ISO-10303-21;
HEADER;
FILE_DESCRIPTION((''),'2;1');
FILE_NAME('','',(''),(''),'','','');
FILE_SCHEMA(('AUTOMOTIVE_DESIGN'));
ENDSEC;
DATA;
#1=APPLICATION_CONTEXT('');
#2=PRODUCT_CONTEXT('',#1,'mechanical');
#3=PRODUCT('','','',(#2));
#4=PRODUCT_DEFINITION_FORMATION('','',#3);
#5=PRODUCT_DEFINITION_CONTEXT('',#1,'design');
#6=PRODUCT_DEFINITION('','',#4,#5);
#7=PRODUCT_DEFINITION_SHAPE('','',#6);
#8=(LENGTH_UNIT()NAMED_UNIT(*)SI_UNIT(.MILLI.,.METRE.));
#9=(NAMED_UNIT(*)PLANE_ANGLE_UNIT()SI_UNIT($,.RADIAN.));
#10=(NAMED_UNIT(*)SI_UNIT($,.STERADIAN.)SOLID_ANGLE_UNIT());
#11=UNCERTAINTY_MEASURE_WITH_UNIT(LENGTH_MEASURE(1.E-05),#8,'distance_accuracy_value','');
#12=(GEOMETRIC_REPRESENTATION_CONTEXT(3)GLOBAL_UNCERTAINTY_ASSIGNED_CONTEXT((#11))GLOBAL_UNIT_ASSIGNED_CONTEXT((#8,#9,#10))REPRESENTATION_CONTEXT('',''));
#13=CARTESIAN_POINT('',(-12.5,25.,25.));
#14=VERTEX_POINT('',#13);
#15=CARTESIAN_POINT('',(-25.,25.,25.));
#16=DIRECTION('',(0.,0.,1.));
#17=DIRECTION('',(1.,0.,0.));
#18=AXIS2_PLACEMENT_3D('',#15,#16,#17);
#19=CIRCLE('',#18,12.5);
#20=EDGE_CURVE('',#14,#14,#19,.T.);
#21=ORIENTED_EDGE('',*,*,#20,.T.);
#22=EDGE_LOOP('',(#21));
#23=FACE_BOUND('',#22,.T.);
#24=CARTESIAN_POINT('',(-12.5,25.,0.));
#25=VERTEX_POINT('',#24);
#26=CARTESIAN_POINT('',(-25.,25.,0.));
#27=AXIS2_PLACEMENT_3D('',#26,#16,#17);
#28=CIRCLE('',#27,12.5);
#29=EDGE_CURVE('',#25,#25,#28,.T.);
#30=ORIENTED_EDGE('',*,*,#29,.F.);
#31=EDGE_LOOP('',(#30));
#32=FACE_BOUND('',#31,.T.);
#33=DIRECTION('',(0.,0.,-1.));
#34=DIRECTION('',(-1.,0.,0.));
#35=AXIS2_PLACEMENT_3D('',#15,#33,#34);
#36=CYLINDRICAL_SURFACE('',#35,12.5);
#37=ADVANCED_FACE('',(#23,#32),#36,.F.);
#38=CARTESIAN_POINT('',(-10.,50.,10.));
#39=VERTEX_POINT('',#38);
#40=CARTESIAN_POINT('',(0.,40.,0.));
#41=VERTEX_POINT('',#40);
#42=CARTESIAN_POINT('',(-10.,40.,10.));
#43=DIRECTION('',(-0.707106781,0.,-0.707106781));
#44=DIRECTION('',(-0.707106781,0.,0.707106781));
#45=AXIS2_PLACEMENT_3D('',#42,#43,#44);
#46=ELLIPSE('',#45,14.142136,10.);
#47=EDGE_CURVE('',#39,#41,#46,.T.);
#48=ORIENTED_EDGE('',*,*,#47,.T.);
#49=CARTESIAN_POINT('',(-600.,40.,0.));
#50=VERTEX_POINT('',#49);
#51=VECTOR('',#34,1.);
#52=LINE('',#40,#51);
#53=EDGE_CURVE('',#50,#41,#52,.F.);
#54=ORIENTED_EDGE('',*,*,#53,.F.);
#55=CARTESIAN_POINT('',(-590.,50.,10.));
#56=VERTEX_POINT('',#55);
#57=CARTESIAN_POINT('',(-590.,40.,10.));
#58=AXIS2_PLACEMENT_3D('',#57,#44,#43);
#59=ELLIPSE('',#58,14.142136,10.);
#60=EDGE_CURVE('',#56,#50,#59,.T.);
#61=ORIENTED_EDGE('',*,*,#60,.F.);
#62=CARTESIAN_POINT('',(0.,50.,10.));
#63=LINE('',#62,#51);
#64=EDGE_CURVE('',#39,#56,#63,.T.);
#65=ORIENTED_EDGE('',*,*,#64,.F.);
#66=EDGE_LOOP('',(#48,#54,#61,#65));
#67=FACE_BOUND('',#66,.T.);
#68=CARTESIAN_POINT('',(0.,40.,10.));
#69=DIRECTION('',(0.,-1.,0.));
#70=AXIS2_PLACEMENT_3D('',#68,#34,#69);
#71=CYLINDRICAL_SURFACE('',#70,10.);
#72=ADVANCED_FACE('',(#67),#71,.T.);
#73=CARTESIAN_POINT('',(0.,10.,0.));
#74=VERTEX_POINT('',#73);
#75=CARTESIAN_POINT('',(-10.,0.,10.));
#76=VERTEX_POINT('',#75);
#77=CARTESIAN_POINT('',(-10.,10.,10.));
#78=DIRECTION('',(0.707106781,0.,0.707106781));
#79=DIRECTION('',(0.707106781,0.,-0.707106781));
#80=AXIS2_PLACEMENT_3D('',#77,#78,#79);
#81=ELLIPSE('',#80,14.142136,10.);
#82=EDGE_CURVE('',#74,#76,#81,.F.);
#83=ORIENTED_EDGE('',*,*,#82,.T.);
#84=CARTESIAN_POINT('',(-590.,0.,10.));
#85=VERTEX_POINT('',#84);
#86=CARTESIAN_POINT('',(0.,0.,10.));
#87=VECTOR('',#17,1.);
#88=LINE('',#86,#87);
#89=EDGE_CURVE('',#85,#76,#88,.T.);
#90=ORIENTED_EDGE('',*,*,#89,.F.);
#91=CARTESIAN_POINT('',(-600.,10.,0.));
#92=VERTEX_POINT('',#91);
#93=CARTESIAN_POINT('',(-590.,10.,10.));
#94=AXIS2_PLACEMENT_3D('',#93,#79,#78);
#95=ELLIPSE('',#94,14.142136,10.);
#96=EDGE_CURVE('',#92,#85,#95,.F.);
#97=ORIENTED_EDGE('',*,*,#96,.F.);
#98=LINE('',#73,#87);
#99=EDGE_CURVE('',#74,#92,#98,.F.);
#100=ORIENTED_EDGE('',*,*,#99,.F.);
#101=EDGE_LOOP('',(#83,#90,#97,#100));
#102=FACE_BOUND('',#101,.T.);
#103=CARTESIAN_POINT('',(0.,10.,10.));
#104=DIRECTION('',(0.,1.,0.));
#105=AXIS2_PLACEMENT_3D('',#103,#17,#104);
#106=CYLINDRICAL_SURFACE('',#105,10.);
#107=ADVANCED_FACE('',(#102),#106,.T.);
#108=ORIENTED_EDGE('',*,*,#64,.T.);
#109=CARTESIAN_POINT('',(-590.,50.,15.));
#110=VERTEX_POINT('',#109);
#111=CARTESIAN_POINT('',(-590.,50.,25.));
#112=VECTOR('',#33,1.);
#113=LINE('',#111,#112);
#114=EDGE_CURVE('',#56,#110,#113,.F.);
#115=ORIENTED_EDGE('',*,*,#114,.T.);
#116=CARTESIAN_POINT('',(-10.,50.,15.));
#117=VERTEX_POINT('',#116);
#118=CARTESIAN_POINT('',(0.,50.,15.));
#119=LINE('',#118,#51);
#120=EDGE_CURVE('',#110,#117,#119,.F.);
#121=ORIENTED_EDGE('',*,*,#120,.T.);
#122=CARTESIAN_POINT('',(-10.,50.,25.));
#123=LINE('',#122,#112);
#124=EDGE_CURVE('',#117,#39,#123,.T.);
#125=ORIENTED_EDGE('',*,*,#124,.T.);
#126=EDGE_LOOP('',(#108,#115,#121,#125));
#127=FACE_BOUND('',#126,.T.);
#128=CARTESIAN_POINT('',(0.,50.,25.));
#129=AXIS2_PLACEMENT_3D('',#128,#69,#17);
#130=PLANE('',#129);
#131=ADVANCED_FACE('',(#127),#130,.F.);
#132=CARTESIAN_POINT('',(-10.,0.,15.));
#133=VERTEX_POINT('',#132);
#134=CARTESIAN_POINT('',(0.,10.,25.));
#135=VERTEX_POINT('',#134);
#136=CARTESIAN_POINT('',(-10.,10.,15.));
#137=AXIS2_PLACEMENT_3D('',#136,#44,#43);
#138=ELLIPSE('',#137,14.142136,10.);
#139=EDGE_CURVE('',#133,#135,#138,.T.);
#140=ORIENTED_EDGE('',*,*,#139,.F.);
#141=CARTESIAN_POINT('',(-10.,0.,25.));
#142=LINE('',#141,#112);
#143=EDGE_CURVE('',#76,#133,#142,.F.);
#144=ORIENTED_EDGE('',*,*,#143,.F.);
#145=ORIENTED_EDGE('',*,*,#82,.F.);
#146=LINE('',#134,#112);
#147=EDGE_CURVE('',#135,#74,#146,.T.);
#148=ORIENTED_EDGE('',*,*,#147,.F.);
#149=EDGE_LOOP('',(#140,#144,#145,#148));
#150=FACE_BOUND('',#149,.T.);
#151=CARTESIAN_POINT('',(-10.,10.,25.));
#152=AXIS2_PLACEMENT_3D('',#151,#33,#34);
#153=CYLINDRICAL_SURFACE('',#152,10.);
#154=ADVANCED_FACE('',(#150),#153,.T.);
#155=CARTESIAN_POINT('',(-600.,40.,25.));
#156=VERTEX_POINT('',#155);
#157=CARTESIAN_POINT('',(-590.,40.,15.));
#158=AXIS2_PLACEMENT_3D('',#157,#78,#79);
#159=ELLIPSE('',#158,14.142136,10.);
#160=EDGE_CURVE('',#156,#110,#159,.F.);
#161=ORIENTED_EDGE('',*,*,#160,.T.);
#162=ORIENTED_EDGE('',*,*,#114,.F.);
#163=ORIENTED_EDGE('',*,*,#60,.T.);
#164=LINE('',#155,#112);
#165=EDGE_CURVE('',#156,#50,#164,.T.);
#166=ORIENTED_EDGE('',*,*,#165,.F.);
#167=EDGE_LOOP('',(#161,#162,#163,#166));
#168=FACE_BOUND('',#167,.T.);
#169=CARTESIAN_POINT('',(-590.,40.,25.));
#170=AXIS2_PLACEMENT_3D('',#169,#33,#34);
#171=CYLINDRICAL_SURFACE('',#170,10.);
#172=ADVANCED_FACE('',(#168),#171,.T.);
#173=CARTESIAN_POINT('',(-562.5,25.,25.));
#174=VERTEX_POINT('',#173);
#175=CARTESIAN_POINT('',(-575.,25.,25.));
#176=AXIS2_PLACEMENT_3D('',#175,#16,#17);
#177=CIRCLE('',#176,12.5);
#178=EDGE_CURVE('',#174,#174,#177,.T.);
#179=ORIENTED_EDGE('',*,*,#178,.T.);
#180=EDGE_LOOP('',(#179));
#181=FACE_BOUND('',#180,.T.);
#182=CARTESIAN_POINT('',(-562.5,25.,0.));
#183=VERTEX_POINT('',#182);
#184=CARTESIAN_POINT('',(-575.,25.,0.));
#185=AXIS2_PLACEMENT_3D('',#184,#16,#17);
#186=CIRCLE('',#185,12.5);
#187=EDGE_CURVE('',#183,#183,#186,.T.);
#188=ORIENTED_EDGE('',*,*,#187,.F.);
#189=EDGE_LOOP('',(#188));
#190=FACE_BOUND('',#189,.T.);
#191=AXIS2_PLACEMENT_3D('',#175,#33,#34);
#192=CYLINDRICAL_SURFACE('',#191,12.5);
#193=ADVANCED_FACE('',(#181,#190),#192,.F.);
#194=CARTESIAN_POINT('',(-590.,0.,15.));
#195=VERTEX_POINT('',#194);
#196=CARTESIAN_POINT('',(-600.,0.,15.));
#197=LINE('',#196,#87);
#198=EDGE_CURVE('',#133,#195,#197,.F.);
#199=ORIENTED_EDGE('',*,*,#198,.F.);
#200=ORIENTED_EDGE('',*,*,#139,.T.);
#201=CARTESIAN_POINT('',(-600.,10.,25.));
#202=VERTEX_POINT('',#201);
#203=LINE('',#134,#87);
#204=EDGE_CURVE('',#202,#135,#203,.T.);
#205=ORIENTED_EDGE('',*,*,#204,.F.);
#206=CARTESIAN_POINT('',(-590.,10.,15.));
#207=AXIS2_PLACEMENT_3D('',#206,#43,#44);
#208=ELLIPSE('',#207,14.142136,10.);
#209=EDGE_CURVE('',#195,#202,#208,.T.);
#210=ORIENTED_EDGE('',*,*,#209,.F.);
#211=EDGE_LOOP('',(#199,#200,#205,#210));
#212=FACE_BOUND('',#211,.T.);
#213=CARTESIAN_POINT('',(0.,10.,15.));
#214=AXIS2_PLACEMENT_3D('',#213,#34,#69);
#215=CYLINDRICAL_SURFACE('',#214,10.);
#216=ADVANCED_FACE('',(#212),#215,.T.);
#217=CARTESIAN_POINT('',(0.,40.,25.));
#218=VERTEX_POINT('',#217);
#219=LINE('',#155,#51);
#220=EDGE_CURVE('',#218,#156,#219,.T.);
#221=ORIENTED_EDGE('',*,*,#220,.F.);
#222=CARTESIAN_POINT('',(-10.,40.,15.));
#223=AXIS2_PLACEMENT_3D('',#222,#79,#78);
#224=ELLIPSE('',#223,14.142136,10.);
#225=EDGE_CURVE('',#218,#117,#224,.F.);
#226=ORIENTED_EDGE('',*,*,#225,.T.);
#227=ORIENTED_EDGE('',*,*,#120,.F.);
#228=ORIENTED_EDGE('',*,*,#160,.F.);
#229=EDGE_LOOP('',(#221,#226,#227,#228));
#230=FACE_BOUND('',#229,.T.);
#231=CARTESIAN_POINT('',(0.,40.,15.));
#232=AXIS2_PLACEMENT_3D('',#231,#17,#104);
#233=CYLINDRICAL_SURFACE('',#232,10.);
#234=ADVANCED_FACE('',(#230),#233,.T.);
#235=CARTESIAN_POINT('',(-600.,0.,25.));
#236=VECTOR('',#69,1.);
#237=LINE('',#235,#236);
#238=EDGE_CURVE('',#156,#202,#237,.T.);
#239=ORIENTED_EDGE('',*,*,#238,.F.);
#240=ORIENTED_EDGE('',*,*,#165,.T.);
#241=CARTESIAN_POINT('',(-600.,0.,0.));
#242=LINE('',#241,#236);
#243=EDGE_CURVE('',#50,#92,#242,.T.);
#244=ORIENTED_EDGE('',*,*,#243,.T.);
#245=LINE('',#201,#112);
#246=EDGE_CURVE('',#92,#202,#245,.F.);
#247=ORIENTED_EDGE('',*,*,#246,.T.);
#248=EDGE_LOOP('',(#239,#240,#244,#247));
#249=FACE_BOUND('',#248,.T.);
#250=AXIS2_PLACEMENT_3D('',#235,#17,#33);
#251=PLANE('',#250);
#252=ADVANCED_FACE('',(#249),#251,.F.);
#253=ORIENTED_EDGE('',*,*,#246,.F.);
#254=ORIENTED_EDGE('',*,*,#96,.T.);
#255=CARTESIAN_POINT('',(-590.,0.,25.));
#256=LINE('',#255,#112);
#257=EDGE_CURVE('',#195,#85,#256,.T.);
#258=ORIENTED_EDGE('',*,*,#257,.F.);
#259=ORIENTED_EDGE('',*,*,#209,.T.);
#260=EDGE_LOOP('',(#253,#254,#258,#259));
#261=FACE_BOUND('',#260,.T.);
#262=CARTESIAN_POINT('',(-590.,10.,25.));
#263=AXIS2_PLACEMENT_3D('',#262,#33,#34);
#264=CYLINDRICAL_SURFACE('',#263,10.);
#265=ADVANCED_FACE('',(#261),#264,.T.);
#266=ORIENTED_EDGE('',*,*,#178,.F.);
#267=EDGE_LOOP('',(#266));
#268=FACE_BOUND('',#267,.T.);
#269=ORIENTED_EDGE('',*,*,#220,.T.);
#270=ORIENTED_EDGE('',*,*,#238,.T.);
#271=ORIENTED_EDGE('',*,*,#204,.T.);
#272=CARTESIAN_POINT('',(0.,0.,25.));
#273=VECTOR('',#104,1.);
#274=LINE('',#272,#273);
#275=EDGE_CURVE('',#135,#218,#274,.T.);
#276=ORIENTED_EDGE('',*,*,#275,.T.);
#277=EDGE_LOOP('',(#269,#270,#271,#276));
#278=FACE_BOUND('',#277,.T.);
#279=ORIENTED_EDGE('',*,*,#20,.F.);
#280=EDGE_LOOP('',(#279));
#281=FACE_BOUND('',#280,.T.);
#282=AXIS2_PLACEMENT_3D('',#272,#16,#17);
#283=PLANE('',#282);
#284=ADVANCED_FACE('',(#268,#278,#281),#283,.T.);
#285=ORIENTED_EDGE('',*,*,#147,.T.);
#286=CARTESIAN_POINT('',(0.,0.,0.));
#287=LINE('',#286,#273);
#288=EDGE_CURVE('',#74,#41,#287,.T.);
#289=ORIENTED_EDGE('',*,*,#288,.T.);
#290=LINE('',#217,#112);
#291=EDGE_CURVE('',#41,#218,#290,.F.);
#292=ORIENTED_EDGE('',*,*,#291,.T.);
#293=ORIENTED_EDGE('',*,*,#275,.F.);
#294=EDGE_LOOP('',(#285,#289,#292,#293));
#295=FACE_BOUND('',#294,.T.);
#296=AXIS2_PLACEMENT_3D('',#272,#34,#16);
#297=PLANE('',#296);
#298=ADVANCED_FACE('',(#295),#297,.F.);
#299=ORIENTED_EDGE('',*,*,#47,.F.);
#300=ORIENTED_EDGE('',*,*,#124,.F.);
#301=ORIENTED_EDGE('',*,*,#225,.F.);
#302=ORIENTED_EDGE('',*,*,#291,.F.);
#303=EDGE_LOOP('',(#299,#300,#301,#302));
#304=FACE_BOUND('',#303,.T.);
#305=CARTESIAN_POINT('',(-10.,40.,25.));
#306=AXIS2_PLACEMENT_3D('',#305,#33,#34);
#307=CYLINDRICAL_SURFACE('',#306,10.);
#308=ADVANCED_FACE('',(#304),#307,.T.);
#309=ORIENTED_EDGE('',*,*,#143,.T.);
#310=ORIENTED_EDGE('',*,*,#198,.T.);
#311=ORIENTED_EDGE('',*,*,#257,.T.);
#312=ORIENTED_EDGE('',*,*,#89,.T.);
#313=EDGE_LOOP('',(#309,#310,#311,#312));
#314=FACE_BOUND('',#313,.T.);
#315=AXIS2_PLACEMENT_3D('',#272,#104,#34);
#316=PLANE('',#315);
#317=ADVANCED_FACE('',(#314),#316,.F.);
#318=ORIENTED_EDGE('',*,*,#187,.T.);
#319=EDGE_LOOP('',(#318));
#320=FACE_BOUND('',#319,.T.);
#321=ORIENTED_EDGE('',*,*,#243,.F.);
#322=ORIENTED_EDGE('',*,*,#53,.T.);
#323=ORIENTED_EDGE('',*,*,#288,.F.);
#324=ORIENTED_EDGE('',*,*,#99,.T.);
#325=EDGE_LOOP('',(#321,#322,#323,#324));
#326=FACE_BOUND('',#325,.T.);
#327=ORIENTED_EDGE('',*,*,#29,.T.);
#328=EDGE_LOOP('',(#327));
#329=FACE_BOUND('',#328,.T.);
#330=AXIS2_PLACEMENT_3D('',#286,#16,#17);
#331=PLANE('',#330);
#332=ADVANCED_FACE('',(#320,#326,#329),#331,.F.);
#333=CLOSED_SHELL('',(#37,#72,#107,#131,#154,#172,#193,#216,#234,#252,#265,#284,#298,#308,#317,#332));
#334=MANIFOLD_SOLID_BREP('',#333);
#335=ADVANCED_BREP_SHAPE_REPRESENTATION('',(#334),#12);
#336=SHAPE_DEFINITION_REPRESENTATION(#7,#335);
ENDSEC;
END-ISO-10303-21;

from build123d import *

# Parameters (mm, degrees)
SKETCH1_W           = 600
SKETCH1_H           = 50
SKETCH1_R           = 12.5
BOSS_EXTRUDE2_DEPTH = 25
FILLET2_R           = 10


with BuildPart() as part:
    # Sketch1 → Boss-Extrude2 (new body)
    with BuildSketch(Plane.XY):
        with Locations((-300, 25)):
            Rectangle(SKETCH1_W, SKETCH1_H)
        with Locations((-575, 25)):
            Circle(SKETCH1_R, mode=Mode.SUBTRACT)
        with Locations((-25, 25)):
            Circle(SKETCH1_R, mode=Mode.SUBTRACT)
    extrude(amount=BOSS_EXTRUDE2_DEPTH)

    # Fillet2
    fillet2_edges = [part.edges().sort_by_distance(p)[0] for p in [
        (-300, 0, 25),
        (-300, 0, 0),
        (-300, 50, 0),
        (-300, 50, 25),
        (0, 0, 12.5),
        (-600, 0, 12.5),
        (-600, 50, 12.5),
        (0, 50, 12.5),
    ]]
    fillet(fillet2_edges, radius=FILLET2_R)


solid = part.part
